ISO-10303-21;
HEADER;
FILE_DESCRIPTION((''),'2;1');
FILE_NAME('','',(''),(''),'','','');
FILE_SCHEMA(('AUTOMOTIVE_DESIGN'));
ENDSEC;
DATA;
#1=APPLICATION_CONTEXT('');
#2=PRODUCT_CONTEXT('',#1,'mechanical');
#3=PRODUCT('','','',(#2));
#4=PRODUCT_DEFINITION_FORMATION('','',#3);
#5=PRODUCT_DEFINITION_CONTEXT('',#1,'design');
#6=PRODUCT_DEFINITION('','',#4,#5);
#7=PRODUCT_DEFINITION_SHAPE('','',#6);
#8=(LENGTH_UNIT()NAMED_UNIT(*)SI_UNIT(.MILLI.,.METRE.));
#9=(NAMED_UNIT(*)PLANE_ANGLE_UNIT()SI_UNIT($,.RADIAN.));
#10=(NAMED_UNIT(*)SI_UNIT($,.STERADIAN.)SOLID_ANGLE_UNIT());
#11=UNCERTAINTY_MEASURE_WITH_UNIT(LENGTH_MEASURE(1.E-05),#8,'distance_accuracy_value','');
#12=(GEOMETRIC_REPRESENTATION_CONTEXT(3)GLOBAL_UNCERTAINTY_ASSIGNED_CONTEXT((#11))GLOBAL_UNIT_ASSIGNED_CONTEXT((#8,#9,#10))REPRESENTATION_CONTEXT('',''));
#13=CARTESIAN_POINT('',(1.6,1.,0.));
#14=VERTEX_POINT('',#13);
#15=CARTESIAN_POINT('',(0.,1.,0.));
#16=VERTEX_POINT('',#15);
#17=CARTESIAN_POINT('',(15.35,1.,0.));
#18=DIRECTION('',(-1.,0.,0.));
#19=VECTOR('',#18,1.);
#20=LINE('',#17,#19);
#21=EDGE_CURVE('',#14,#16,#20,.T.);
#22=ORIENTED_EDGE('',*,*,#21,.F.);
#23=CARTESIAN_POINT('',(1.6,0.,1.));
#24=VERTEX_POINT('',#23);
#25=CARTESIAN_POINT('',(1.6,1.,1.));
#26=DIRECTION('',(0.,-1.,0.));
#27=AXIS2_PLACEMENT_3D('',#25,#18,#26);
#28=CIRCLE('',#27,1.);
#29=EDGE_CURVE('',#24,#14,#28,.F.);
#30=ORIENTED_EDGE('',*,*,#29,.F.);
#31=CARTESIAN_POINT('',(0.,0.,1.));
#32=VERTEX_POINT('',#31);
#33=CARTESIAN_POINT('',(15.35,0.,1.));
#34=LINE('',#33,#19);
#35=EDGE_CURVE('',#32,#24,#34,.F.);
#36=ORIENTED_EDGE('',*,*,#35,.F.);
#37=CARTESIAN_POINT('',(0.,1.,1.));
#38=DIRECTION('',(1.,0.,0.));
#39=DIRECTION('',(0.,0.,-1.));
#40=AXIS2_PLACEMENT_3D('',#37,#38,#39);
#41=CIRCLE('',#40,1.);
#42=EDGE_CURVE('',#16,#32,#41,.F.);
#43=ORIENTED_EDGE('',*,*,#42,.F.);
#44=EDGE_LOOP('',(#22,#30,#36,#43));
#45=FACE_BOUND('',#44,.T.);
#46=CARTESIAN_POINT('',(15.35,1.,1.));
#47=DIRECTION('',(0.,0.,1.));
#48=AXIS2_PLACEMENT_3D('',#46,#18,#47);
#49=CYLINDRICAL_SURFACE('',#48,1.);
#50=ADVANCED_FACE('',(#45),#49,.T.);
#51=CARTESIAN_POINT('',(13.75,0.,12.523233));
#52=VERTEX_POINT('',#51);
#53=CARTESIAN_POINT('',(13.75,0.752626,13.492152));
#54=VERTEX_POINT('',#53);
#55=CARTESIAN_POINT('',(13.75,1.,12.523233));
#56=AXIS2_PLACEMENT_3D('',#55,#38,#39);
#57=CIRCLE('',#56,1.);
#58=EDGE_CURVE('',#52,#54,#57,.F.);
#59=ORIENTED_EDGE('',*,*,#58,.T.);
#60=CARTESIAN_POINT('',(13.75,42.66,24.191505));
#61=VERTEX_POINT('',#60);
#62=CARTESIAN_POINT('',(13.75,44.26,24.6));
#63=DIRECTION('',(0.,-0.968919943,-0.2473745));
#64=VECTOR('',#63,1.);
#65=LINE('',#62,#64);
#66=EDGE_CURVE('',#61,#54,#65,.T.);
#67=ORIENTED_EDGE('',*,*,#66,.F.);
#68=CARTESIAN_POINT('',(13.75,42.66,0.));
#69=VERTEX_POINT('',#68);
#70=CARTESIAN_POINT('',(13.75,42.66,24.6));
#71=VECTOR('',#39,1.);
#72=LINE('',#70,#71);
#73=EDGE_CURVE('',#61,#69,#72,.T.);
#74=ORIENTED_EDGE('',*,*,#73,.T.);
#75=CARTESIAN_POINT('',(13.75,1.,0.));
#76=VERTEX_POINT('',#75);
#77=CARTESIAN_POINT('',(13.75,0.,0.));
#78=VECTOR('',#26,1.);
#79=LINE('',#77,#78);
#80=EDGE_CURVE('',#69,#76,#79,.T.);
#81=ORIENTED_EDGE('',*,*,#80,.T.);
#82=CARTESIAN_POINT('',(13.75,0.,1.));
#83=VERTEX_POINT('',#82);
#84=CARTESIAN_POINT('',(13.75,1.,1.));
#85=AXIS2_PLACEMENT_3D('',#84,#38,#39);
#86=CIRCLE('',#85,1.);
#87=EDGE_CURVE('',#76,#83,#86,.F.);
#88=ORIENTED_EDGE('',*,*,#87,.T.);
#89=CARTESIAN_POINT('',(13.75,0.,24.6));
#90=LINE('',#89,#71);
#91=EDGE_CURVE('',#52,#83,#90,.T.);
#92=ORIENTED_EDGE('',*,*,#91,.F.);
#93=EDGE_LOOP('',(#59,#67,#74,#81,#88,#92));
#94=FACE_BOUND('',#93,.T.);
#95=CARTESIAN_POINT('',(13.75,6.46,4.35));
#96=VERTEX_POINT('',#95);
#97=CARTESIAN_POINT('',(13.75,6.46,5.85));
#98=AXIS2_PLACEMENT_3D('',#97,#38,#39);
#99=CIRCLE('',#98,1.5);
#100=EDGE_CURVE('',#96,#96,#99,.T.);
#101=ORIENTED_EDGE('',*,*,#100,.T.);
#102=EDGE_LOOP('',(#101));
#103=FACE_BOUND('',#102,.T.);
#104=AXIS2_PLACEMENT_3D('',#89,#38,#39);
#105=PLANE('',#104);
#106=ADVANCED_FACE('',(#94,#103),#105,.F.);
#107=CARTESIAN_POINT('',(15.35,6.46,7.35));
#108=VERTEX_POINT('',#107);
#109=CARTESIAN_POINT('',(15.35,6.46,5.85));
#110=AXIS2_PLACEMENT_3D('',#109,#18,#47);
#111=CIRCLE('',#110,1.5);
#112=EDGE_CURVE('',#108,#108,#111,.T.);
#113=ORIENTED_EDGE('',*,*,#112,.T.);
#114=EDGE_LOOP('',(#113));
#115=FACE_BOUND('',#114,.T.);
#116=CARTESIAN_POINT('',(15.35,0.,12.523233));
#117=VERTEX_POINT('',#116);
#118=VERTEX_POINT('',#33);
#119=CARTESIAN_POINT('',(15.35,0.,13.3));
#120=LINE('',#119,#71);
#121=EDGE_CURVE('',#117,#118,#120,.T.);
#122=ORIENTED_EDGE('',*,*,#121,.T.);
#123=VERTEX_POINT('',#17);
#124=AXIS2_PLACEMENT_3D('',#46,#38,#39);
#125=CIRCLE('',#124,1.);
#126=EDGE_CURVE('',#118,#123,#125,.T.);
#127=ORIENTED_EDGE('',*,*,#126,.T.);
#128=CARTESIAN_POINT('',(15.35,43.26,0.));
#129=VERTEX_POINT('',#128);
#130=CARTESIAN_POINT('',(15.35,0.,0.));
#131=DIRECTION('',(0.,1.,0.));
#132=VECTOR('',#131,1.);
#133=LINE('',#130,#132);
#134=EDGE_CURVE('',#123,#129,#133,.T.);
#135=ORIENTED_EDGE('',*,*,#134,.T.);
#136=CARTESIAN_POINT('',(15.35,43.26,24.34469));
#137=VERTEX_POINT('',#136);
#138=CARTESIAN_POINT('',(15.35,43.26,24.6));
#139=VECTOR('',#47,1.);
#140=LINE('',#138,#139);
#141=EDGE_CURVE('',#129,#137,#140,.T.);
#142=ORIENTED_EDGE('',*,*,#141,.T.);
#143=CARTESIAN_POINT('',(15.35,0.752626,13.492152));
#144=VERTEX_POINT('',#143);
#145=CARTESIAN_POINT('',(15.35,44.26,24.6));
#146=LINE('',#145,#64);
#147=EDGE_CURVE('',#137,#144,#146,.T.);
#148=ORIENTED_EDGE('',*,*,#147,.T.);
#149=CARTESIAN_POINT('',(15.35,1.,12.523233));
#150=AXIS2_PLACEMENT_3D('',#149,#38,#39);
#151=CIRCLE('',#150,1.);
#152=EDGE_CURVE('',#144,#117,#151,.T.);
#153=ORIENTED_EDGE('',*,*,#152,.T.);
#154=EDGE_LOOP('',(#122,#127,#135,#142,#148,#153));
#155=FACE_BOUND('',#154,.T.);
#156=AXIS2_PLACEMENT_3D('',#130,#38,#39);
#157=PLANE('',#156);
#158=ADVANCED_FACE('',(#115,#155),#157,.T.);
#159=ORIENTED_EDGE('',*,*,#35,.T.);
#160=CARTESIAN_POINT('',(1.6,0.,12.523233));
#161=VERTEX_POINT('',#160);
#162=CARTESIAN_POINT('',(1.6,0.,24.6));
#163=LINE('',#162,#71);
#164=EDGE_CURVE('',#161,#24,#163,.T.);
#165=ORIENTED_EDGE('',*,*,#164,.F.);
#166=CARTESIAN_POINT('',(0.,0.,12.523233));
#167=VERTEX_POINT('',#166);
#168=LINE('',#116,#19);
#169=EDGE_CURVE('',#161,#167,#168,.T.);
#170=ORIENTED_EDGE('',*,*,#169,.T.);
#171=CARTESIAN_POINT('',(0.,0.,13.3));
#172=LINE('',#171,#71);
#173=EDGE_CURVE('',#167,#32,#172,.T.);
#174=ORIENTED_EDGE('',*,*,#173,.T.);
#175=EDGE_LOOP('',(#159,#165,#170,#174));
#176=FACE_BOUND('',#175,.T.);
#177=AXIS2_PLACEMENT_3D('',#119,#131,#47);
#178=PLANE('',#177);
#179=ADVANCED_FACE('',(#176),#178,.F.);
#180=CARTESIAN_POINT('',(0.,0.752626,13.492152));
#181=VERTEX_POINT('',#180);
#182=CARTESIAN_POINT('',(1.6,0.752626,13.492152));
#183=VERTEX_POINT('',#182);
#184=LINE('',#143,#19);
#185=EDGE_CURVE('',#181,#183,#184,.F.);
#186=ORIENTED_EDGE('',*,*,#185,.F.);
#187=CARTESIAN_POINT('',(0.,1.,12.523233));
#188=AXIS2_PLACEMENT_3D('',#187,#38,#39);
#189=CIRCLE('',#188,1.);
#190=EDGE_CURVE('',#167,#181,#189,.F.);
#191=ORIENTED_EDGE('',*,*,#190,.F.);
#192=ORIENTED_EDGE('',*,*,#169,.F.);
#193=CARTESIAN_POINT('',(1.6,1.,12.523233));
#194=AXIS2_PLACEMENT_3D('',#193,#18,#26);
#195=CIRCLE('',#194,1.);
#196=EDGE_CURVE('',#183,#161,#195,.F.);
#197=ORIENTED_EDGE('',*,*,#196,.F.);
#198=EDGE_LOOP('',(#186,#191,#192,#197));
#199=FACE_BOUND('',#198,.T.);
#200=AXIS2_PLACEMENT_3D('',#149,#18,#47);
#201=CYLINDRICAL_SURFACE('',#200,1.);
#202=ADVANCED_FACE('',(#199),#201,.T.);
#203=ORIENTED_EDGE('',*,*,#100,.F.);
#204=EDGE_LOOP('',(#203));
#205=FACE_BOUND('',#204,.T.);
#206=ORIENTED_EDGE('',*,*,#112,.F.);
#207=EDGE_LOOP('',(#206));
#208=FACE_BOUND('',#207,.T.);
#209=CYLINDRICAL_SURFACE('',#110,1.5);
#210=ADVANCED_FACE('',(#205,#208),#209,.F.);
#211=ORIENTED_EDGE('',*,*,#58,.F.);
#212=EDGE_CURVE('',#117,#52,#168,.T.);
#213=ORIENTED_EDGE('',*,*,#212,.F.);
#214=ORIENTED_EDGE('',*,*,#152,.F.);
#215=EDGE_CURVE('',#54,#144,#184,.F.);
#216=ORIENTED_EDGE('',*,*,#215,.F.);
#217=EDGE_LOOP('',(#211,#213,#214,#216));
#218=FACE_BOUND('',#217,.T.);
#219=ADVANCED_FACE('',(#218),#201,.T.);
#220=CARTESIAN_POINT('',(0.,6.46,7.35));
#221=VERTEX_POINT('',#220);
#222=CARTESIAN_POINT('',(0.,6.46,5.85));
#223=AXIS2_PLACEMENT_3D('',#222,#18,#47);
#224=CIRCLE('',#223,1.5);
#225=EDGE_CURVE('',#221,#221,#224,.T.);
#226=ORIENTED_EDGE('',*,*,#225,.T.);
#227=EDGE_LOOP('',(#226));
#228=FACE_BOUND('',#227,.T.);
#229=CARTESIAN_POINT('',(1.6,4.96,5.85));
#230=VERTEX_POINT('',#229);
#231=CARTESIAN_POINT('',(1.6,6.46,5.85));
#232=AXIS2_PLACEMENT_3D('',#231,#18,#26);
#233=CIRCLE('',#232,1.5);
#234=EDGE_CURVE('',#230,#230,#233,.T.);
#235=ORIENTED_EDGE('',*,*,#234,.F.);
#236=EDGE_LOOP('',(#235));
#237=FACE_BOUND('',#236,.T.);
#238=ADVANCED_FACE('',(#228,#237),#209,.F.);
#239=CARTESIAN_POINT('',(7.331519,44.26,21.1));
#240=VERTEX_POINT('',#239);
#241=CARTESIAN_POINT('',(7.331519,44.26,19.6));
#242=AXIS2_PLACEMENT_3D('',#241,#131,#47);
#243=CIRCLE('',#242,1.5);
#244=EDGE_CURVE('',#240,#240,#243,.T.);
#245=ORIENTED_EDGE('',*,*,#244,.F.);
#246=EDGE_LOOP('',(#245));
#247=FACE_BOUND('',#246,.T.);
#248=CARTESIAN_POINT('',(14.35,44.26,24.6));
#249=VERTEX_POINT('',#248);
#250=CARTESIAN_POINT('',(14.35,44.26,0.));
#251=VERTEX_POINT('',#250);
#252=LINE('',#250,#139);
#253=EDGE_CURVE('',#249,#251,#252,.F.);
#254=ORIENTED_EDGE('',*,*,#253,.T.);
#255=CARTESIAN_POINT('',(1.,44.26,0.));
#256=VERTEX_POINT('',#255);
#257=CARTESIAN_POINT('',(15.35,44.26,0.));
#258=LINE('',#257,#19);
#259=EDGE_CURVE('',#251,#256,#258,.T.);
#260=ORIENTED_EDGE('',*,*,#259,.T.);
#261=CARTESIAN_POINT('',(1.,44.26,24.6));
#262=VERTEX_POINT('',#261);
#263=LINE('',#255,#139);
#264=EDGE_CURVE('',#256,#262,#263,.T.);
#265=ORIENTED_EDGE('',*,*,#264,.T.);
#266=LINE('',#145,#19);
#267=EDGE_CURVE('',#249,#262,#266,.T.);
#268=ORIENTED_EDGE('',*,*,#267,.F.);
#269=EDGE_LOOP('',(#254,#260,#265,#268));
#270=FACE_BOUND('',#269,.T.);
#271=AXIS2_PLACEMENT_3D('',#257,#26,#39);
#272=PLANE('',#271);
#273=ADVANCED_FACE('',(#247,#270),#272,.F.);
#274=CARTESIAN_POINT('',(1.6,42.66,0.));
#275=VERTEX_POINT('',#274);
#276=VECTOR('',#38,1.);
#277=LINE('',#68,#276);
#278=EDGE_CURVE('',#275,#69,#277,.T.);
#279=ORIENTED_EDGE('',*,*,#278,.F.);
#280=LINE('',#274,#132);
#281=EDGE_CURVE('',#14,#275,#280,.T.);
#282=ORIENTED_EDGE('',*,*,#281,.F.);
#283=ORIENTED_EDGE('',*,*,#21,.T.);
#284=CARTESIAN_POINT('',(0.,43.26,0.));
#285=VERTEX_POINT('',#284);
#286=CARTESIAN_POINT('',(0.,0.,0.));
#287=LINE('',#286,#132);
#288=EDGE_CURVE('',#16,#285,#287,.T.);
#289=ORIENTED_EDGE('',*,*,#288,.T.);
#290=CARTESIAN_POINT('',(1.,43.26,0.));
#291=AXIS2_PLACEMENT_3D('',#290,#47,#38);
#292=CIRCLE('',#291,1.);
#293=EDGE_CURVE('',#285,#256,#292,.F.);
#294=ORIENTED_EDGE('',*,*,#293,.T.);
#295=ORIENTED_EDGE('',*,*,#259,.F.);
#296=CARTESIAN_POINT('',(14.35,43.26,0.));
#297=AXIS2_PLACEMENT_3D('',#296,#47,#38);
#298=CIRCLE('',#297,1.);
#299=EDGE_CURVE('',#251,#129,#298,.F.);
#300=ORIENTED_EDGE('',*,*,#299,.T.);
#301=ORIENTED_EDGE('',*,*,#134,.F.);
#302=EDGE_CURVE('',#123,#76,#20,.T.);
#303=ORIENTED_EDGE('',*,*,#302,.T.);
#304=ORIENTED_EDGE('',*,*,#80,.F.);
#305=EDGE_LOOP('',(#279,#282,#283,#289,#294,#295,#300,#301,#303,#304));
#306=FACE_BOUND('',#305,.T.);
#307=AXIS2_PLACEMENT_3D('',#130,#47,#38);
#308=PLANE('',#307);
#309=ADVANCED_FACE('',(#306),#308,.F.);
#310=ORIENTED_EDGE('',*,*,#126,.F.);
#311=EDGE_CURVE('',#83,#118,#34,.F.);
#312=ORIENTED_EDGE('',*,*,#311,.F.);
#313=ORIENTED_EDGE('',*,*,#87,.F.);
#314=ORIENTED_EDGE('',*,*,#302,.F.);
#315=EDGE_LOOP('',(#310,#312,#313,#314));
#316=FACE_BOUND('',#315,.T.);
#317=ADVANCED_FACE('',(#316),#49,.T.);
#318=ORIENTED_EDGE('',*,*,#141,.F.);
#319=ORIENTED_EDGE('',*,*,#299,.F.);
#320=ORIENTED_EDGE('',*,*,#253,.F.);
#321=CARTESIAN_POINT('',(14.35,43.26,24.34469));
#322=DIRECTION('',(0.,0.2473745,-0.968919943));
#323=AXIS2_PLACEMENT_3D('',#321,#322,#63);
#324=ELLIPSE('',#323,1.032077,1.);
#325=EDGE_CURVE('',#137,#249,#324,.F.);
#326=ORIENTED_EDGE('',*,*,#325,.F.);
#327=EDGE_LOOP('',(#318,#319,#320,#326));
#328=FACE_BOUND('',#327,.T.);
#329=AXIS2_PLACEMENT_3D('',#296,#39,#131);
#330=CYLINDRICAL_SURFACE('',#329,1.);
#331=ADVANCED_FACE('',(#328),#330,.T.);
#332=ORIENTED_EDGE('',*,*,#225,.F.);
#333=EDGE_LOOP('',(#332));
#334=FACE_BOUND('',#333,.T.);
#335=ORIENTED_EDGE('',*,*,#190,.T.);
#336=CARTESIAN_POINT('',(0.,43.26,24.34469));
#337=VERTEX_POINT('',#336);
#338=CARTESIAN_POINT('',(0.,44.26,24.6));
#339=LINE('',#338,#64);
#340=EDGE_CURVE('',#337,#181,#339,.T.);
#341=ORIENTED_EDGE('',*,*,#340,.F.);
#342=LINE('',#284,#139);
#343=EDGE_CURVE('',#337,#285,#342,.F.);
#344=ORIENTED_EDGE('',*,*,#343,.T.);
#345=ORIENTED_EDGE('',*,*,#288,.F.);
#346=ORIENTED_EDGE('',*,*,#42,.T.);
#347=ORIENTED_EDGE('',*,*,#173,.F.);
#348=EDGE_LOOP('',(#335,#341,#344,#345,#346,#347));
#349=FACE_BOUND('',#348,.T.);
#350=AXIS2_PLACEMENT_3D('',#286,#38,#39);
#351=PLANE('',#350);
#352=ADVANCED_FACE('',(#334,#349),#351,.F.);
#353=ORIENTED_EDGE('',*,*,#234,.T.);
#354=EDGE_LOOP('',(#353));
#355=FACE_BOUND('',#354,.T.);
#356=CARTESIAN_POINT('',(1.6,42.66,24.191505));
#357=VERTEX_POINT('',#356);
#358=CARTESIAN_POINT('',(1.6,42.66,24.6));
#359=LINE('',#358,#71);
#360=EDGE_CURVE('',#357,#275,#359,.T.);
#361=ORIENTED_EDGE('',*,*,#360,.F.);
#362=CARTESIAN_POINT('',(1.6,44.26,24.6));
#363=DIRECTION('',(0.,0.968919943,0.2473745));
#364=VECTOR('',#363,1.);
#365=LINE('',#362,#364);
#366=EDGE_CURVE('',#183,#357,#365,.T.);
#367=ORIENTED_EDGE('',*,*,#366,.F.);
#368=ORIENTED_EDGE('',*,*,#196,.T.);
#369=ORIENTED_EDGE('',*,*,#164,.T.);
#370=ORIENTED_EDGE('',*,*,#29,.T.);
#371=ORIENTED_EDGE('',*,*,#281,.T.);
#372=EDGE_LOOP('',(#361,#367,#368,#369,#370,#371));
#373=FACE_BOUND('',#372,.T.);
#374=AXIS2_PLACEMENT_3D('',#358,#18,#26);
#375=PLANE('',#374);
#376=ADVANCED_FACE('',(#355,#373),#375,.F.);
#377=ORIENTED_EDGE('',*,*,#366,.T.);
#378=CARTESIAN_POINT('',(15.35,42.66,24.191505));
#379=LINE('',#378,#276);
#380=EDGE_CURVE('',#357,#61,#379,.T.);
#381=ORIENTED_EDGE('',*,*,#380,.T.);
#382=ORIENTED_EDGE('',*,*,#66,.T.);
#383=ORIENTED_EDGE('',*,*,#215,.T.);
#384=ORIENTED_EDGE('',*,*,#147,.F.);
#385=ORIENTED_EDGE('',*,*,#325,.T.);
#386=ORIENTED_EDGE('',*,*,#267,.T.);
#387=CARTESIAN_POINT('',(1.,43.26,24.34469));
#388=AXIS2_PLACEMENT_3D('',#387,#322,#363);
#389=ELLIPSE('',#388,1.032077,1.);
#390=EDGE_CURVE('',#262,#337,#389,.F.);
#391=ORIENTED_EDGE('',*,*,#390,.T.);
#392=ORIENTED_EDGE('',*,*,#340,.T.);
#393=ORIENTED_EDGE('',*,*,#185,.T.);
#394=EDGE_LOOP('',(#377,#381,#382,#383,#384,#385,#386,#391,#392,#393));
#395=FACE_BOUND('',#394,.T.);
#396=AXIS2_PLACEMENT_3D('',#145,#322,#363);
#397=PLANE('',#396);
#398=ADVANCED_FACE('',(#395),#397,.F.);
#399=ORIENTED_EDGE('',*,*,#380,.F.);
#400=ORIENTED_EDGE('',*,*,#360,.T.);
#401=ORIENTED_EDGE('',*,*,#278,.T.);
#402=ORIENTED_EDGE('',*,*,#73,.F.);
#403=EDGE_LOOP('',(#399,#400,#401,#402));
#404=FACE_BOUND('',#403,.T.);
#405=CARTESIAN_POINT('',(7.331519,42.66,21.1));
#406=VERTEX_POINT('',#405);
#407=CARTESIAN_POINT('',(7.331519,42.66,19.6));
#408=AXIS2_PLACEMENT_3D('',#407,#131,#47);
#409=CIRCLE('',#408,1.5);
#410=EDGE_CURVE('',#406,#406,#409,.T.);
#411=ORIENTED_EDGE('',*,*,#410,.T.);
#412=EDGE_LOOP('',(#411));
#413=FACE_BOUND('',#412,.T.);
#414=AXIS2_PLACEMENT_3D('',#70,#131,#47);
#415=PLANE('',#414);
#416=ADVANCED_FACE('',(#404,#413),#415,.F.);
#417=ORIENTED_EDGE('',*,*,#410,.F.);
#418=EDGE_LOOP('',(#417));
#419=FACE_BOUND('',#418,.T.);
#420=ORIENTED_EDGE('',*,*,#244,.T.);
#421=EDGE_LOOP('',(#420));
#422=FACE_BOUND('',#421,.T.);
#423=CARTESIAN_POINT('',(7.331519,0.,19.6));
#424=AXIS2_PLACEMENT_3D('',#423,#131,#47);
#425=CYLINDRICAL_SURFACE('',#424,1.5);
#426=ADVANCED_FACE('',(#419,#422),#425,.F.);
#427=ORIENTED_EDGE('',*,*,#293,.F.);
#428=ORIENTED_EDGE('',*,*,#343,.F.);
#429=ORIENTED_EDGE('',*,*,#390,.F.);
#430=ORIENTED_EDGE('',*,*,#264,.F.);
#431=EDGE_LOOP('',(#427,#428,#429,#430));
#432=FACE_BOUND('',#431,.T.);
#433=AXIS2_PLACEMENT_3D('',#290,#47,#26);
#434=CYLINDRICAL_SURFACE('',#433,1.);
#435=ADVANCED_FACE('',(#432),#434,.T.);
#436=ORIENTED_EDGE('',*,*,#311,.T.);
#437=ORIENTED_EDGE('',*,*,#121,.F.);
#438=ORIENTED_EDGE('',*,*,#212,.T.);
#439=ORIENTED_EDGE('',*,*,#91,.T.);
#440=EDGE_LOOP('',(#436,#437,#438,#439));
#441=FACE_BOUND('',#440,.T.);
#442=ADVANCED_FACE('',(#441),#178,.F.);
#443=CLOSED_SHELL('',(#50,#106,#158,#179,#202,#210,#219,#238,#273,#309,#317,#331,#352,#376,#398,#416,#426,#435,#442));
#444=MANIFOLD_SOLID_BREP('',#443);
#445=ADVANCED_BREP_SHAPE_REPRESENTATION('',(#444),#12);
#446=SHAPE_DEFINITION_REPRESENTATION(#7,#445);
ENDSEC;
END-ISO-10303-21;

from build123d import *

# Parameters (mm, degrees)
BOSS_EXTRU_1_DEPTH      = 15.35
ESQUISSE2_W             = 12.15
ESQUISSE2_H             = 42.66
ENL_V_MAT_EXTRU_1_DEPTH = 53.912475845
CONG_1_R                = 1
ESQUISSE3_R             = 1.5
ENL_V_MAT_EXTRU_2_DEPTH = 53.912475845
ESQUISSE4_R             = 1.5
ENL_V_MAT_EXTRU_3_DEPTH = 53.912475845


with BuildPart() as part:
    # Esquisse1 → Boss.-Extru.1 (new body)
    with BuildSketch(Plane(origin=(0, 0, 0), x_dir=(0, 0, -1), z_dir=(1, 0, 0))):
        Polygon((0, 0), (0, 44.26), (-24.6, 44.26), (-13.3, 0), align=None)
    extrude(amount=BOSS_EXTRU_1_DEPTH)

    # Esquisse2 → Enlèv. mat.-Extru.1 (cut, through all)
    with BuildSketch(Plane(origin=(0, 0, 0), x_dir=(-1, 0, 0), z_dir=(0, 0, -1))):
        with Locations((-7.675, 21.33)):
            Rectangle(ESQUISSE2_W, ESQUISSE2_H)
    extrude(amount=-ENL_V_MAT_EXTRU_1_DEPTH, mode=Mode.SUBTRACT)

    # Congé1
    cong_1_edges = [part.edges().sort_by_distance(p)[0] for p in [
        (15.35, 44.26, 12.3),
        (0.8, 0, 13.3),
        (0.8, 0, 0),
        (0, 44.26, 12.3),
        (14.55, 0, 13.3),
        (14.55, 0, 0),
    ]]
    fillet(cong_1_edges, radius=CONG_1_R)

    # Esquisse3 → Enlèv. mat.-Extru.2 (cut, through all)
    with BuildSketch(Plane.ZY):
        with Locations((5.85, 6.46)):
            Circle(ESQUISSE3_R)
    extrude(amount=-ENL_V_MAT_EXTRU_2_DEPTH, mode=Mode.SUBTRACT)

    # Esquisse4 → Enlèv. mat.-Extru.3 (cut, through all)
    with BuildSketch(Plane(origin=(0, 44.26, 0), x_dir=(1, 0, 0), z_dir=(0, 1, 0))):
        with Locations(Location((7.331518895, -19.6, 0), (0, 0, 270))):
            Circle(ESQUISSE4_R)
    extrude(amount=-ENL_V_MAT_EXTRU_3_DEPTH, mode=Mode.SUBTRACT)


solid = part.part
